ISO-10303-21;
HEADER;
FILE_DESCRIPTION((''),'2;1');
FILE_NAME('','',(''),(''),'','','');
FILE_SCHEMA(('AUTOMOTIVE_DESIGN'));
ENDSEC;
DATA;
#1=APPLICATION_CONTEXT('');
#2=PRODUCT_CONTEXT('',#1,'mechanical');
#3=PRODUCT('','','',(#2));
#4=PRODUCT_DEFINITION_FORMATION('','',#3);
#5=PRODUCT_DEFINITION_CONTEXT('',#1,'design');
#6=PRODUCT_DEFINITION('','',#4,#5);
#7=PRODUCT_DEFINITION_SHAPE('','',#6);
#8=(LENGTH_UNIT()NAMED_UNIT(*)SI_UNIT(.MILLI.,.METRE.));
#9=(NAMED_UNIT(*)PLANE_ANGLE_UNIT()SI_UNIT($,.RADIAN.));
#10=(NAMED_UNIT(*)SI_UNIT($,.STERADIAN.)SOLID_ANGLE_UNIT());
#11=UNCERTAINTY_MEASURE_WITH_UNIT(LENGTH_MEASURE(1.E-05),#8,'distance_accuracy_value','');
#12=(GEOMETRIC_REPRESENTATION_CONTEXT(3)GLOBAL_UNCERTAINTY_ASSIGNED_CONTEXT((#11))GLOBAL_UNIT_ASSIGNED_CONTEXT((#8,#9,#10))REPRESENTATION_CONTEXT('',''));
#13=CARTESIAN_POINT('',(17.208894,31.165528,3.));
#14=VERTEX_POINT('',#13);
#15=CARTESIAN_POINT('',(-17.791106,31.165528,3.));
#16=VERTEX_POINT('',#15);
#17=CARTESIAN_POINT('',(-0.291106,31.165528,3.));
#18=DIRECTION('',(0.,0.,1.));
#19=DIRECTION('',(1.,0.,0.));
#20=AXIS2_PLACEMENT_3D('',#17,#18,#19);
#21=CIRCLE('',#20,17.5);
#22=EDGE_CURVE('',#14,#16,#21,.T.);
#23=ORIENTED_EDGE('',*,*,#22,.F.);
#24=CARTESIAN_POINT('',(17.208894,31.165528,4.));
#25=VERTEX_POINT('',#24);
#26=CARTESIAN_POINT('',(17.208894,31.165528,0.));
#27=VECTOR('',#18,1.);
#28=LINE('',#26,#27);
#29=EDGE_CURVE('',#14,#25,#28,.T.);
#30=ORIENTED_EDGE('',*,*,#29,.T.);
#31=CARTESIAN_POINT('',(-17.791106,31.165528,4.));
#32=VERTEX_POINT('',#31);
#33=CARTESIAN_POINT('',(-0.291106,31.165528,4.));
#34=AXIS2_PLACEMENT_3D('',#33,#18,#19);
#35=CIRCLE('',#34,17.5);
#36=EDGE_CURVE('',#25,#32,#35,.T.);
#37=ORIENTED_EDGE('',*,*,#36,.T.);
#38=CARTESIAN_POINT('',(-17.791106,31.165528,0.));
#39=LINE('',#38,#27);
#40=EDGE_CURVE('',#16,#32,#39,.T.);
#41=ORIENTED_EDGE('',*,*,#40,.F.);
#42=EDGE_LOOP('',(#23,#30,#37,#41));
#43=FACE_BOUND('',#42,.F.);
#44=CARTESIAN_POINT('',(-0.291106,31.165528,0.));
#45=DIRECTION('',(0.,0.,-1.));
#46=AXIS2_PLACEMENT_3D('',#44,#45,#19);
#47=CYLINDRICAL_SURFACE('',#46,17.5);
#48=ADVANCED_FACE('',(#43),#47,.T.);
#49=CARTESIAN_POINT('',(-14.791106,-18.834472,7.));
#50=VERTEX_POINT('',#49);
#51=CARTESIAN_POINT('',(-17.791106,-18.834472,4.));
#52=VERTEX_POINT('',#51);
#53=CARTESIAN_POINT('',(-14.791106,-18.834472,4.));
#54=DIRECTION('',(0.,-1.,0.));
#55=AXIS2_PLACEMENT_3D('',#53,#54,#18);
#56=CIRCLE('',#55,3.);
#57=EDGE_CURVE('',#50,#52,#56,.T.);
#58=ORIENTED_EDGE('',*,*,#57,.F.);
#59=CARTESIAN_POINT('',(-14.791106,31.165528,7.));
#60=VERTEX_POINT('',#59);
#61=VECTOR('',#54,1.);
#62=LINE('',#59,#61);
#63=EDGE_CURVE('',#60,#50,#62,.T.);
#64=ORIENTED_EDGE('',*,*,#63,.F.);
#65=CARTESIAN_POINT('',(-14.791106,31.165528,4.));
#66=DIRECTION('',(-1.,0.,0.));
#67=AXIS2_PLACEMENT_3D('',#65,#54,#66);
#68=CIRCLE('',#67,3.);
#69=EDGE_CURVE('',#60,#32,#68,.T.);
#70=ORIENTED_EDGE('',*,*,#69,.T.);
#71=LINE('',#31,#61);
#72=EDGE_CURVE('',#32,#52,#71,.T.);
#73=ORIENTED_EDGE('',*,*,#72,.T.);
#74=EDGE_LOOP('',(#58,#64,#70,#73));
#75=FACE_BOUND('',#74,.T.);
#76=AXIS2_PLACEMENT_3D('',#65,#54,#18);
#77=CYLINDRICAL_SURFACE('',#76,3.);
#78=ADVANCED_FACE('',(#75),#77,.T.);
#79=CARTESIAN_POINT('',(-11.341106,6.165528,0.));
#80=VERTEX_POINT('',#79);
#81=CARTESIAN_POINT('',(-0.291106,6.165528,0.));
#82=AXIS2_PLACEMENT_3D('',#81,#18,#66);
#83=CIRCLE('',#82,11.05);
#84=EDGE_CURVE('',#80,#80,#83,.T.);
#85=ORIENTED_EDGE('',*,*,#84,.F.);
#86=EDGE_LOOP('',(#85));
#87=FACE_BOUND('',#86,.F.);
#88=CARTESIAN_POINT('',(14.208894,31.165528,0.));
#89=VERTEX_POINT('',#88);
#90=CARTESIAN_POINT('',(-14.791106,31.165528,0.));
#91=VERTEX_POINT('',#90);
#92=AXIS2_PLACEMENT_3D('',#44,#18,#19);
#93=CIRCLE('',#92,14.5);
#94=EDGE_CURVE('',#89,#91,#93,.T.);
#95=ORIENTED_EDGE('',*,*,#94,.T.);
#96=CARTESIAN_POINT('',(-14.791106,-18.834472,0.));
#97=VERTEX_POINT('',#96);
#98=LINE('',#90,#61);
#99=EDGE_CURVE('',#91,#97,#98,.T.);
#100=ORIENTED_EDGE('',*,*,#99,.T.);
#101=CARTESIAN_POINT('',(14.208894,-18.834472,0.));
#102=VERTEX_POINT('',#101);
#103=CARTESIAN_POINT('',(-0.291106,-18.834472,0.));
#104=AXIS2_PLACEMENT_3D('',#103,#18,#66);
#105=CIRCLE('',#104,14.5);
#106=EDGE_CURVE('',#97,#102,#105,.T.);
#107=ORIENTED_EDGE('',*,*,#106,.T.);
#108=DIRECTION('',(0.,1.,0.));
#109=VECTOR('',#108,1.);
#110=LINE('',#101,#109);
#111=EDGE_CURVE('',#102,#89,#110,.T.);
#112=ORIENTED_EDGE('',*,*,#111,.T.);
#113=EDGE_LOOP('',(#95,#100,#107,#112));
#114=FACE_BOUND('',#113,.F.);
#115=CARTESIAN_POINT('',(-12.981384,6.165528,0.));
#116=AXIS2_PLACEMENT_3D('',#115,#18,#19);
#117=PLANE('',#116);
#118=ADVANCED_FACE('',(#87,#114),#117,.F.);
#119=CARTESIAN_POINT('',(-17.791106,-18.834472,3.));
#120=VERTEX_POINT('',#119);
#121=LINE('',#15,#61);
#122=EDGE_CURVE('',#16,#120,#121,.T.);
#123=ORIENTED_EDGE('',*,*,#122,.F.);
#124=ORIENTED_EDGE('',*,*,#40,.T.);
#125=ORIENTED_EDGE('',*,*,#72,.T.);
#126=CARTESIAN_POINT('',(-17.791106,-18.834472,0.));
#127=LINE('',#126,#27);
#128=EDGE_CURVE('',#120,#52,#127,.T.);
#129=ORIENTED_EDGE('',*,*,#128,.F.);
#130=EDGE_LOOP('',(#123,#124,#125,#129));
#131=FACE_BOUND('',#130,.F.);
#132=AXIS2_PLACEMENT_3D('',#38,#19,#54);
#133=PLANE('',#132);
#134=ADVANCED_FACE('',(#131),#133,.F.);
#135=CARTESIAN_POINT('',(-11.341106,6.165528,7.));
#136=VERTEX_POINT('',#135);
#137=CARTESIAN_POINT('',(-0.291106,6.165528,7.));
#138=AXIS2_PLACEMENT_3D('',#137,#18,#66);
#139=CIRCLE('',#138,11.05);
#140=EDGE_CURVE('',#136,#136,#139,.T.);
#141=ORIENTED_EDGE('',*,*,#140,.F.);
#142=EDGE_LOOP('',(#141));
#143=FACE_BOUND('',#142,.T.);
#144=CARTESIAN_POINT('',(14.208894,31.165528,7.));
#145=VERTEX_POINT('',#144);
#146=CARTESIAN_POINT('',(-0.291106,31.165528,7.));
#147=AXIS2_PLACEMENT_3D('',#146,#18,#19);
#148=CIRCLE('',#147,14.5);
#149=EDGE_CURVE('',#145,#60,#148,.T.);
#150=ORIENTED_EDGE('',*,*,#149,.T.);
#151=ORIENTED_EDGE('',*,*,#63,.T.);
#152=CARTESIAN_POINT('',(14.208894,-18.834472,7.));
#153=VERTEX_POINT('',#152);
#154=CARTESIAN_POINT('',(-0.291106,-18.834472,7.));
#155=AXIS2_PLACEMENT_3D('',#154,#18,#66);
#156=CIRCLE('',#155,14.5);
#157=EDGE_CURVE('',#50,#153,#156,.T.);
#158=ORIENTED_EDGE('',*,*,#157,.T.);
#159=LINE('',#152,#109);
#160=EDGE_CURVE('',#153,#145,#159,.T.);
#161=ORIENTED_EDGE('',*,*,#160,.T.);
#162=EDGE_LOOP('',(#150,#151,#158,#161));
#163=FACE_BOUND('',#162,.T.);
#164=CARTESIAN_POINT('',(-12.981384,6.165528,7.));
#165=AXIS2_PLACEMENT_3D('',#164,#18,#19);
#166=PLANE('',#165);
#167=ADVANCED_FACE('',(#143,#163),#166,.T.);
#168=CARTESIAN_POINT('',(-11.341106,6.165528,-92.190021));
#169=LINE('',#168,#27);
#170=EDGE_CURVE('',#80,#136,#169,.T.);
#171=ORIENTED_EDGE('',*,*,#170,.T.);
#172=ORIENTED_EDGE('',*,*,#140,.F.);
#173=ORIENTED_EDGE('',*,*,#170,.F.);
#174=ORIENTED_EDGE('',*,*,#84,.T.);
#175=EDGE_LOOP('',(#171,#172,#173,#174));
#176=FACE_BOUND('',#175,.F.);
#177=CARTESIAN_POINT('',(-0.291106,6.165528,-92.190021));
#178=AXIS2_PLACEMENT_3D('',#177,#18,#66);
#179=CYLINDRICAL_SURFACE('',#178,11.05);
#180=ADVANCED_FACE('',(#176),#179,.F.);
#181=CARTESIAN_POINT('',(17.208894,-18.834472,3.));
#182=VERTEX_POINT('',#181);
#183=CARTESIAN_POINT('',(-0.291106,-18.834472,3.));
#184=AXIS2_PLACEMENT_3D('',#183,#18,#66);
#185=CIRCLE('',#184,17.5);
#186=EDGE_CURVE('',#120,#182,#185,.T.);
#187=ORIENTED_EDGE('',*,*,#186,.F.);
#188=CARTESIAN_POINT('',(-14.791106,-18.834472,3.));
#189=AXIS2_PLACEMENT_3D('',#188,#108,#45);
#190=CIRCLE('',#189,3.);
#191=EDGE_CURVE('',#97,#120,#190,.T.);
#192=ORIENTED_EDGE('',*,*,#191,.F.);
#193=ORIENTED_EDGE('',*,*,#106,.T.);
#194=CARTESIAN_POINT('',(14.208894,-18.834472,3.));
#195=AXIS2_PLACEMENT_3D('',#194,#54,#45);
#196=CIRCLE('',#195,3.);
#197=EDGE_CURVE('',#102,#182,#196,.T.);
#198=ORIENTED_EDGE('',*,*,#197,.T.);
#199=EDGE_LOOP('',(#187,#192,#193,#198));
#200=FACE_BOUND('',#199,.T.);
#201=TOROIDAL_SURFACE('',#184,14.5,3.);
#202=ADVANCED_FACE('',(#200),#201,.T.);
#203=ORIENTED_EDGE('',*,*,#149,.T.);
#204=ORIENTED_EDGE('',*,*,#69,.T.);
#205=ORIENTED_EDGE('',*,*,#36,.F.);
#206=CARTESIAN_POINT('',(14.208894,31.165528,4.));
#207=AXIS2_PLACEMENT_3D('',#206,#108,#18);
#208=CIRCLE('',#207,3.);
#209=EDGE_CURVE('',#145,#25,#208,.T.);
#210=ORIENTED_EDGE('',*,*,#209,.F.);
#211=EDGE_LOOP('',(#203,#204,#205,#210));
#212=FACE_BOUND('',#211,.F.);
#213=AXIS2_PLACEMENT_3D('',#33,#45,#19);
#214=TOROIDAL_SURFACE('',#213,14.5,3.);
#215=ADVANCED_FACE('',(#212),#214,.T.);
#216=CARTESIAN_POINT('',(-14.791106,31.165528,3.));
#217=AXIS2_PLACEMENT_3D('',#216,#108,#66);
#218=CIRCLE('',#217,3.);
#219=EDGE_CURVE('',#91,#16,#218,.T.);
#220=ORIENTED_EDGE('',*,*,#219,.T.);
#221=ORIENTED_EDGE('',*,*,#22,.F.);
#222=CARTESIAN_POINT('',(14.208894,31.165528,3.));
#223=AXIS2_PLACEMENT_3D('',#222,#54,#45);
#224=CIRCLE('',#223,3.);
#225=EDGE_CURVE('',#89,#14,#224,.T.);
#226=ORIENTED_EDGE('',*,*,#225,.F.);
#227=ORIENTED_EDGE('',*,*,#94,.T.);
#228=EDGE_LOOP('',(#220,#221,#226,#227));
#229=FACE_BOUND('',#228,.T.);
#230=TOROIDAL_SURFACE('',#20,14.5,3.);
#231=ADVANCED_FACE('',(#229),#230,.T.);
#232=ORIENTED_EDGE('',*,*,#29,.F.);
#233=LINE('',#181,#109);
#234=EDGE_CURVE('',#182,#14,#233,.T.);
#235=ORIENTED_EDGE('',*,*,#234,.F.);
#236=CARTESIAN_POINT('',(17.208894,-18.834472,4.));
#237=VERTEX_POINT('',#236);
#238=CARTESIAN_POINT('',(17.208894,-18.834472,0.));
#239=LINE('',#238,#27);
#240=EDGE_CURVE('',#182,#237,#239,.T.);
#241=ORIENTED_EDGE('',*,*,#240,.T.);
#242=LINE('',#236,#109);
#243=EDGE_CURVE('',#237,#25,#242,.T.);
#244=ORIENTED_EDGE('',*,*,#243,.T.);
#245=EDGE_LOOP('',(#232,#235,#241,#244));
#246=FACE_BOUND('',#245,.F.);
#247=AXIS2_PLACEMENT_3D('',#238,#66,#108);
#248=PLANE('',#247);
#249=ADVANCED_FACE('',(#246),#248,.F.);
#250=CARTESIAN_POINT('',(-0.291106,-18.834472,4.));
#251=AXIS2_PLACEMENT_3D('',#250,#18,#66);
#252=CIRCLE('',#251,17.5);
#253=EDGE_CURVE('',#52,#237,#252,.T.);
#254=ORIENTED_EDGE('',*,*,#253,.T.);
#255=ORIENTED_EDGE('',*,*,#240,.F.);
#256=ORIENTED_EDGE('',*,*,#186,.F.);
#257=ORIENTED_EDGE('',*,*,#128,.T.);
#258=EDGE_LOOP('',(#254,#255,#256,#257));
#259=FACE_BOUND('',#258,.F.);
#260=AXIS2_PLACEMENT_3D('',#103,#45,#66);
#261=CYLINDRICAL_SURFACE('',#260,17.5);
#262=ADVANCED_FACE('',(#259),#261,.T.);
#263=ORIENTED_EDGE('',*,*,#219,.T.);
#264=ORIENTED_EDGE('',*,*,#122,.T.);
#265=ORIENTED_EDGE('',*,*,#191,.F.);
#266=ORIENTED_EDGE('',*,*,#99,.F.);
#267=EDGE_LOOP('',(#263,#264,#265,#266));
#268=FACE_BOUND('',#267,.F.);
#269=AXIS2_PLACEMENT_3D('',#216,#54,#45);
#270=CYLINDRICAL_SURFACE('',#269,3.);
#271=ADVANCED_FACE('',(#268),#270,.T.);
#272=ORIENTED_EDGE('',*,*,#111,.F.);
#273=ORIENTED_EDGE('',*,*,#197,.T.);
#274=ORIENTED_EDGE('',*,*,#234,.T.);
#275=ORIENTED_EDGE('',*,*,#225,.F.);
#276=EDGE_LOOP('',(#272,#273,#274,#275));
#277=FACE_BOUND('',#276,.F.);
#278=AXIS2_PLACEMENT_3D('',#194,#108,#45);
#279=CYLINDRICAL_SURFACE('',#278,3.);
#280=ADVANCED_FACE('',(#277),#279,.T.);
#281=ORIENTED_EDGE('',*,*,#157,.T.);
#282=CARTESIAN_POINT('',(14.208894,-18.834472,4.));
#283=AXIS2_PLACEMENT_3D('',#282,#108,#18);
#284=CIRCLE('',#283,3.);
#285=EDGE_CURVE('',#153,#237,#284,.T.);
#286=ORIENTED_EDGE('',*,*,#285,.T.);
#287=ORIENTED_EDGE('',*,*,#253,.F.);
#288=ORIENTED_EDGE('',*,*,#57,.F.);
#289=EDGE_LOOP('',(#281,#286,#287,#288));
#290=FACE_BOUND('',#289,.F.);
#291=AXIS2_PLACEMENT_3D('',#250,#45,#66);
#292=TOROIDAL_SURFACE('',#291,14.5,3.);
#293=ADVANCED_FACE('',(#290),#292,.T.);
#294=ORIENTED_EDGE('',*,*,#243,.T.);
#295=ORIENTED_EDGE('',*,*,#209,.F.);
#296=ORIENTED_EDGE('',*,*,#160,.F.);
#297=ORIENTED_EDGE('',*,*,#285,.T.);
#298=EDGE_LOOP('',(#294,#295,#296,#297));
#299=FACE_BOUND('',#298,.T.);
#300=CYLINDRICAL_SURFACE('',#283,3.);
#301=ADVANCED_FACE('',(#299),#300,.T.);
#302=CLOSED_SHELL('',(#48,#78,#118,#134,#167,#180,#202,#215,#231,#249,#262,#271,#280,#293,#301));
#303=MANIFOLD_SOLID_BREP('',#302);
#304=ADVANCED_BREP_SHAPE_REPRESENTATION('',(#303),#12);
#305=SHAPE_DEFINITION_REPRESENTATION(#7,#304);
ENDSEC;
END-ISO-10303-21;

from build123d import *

# Parameters (mm, degrees)
F1_DEPTH = 7
F2_D     = 22.1
F3_R     = 3


with BuildPart() as f1:
    # F0 (on Top) → F1 (new body)
    with BuildSketch(Plane.XY):
        Polygon((-0.2911061255, 6.1655282974), (-17.7911061255, 31.1655282974), (-17.7911061255, -18.8344717026), align=None)
        with BuildLine():
            ThreePointArc((17.2088938745, 31.1655282974), (-0.2911061255, 48.6655282974), (-17.7911061255, 31.1655282974))
            Line((-17.7911061255, 31.1655282974), (17.2088938745, 31.1655282974))
        make_face()
        Polygon((17.2088938745, 31.1655282974), (-17.7911061255, 31.1655282974), (-0.2911061255, 6.1655282974), align=None)
        Polygon((-0.2911061255, 6.1655282974), (-17.7911061255, -18.8344717026), (17.2088938745, -18.8344717026), align=None)
        with BuildLine():
            Line((17.2088938745, -18.8344717026), (-17.7911061255, -18.8344717026))
            ThreePointArc((-17.7911061255, -18.8344717026), (-0.2911061255, -36.3344717026), (17.2088938745, -18.8344717026))
        make_face()
        Polygon((17.2088938745, -18.8344717026), (17.2088938745, 31.1655282974), (-0.2911061255, 6.1655282974), align=None)
    extrude(amount=F1_DEPTH)

    # F2 (through all)
    with Locations(Plane(origin=(0, 0, 0), x_dir=(1, 0, 0), z_dir=(0, 0, -1))):
        with Locations((-0.2911061255, -6.1655282974)):
            Hole(F2_D / 2)

    # F3
    f3_edges = [f1.edges().sort_by_distance(p)[0] for p in [
        (17.208894, -18.834472, 3.5),
        (17.208894, 31.165528, 3.5),
        (17.208894, 6.165528, 0),
        (17.208894, 6.165528, 7),
        (-17.791106, -18.834472, 3.5),
        (-0.291106, -36.334472, 0),
        (-0.291106, -36.334472, 7),
        (-17.791106, 31.165528, 3.5),
        (-17.791106, 6.165528, 0),
        (-17.791106, 6.165528, 7),
    ]]
    fillet(f3_edges, radius=F3_R)


solid = f1.part
